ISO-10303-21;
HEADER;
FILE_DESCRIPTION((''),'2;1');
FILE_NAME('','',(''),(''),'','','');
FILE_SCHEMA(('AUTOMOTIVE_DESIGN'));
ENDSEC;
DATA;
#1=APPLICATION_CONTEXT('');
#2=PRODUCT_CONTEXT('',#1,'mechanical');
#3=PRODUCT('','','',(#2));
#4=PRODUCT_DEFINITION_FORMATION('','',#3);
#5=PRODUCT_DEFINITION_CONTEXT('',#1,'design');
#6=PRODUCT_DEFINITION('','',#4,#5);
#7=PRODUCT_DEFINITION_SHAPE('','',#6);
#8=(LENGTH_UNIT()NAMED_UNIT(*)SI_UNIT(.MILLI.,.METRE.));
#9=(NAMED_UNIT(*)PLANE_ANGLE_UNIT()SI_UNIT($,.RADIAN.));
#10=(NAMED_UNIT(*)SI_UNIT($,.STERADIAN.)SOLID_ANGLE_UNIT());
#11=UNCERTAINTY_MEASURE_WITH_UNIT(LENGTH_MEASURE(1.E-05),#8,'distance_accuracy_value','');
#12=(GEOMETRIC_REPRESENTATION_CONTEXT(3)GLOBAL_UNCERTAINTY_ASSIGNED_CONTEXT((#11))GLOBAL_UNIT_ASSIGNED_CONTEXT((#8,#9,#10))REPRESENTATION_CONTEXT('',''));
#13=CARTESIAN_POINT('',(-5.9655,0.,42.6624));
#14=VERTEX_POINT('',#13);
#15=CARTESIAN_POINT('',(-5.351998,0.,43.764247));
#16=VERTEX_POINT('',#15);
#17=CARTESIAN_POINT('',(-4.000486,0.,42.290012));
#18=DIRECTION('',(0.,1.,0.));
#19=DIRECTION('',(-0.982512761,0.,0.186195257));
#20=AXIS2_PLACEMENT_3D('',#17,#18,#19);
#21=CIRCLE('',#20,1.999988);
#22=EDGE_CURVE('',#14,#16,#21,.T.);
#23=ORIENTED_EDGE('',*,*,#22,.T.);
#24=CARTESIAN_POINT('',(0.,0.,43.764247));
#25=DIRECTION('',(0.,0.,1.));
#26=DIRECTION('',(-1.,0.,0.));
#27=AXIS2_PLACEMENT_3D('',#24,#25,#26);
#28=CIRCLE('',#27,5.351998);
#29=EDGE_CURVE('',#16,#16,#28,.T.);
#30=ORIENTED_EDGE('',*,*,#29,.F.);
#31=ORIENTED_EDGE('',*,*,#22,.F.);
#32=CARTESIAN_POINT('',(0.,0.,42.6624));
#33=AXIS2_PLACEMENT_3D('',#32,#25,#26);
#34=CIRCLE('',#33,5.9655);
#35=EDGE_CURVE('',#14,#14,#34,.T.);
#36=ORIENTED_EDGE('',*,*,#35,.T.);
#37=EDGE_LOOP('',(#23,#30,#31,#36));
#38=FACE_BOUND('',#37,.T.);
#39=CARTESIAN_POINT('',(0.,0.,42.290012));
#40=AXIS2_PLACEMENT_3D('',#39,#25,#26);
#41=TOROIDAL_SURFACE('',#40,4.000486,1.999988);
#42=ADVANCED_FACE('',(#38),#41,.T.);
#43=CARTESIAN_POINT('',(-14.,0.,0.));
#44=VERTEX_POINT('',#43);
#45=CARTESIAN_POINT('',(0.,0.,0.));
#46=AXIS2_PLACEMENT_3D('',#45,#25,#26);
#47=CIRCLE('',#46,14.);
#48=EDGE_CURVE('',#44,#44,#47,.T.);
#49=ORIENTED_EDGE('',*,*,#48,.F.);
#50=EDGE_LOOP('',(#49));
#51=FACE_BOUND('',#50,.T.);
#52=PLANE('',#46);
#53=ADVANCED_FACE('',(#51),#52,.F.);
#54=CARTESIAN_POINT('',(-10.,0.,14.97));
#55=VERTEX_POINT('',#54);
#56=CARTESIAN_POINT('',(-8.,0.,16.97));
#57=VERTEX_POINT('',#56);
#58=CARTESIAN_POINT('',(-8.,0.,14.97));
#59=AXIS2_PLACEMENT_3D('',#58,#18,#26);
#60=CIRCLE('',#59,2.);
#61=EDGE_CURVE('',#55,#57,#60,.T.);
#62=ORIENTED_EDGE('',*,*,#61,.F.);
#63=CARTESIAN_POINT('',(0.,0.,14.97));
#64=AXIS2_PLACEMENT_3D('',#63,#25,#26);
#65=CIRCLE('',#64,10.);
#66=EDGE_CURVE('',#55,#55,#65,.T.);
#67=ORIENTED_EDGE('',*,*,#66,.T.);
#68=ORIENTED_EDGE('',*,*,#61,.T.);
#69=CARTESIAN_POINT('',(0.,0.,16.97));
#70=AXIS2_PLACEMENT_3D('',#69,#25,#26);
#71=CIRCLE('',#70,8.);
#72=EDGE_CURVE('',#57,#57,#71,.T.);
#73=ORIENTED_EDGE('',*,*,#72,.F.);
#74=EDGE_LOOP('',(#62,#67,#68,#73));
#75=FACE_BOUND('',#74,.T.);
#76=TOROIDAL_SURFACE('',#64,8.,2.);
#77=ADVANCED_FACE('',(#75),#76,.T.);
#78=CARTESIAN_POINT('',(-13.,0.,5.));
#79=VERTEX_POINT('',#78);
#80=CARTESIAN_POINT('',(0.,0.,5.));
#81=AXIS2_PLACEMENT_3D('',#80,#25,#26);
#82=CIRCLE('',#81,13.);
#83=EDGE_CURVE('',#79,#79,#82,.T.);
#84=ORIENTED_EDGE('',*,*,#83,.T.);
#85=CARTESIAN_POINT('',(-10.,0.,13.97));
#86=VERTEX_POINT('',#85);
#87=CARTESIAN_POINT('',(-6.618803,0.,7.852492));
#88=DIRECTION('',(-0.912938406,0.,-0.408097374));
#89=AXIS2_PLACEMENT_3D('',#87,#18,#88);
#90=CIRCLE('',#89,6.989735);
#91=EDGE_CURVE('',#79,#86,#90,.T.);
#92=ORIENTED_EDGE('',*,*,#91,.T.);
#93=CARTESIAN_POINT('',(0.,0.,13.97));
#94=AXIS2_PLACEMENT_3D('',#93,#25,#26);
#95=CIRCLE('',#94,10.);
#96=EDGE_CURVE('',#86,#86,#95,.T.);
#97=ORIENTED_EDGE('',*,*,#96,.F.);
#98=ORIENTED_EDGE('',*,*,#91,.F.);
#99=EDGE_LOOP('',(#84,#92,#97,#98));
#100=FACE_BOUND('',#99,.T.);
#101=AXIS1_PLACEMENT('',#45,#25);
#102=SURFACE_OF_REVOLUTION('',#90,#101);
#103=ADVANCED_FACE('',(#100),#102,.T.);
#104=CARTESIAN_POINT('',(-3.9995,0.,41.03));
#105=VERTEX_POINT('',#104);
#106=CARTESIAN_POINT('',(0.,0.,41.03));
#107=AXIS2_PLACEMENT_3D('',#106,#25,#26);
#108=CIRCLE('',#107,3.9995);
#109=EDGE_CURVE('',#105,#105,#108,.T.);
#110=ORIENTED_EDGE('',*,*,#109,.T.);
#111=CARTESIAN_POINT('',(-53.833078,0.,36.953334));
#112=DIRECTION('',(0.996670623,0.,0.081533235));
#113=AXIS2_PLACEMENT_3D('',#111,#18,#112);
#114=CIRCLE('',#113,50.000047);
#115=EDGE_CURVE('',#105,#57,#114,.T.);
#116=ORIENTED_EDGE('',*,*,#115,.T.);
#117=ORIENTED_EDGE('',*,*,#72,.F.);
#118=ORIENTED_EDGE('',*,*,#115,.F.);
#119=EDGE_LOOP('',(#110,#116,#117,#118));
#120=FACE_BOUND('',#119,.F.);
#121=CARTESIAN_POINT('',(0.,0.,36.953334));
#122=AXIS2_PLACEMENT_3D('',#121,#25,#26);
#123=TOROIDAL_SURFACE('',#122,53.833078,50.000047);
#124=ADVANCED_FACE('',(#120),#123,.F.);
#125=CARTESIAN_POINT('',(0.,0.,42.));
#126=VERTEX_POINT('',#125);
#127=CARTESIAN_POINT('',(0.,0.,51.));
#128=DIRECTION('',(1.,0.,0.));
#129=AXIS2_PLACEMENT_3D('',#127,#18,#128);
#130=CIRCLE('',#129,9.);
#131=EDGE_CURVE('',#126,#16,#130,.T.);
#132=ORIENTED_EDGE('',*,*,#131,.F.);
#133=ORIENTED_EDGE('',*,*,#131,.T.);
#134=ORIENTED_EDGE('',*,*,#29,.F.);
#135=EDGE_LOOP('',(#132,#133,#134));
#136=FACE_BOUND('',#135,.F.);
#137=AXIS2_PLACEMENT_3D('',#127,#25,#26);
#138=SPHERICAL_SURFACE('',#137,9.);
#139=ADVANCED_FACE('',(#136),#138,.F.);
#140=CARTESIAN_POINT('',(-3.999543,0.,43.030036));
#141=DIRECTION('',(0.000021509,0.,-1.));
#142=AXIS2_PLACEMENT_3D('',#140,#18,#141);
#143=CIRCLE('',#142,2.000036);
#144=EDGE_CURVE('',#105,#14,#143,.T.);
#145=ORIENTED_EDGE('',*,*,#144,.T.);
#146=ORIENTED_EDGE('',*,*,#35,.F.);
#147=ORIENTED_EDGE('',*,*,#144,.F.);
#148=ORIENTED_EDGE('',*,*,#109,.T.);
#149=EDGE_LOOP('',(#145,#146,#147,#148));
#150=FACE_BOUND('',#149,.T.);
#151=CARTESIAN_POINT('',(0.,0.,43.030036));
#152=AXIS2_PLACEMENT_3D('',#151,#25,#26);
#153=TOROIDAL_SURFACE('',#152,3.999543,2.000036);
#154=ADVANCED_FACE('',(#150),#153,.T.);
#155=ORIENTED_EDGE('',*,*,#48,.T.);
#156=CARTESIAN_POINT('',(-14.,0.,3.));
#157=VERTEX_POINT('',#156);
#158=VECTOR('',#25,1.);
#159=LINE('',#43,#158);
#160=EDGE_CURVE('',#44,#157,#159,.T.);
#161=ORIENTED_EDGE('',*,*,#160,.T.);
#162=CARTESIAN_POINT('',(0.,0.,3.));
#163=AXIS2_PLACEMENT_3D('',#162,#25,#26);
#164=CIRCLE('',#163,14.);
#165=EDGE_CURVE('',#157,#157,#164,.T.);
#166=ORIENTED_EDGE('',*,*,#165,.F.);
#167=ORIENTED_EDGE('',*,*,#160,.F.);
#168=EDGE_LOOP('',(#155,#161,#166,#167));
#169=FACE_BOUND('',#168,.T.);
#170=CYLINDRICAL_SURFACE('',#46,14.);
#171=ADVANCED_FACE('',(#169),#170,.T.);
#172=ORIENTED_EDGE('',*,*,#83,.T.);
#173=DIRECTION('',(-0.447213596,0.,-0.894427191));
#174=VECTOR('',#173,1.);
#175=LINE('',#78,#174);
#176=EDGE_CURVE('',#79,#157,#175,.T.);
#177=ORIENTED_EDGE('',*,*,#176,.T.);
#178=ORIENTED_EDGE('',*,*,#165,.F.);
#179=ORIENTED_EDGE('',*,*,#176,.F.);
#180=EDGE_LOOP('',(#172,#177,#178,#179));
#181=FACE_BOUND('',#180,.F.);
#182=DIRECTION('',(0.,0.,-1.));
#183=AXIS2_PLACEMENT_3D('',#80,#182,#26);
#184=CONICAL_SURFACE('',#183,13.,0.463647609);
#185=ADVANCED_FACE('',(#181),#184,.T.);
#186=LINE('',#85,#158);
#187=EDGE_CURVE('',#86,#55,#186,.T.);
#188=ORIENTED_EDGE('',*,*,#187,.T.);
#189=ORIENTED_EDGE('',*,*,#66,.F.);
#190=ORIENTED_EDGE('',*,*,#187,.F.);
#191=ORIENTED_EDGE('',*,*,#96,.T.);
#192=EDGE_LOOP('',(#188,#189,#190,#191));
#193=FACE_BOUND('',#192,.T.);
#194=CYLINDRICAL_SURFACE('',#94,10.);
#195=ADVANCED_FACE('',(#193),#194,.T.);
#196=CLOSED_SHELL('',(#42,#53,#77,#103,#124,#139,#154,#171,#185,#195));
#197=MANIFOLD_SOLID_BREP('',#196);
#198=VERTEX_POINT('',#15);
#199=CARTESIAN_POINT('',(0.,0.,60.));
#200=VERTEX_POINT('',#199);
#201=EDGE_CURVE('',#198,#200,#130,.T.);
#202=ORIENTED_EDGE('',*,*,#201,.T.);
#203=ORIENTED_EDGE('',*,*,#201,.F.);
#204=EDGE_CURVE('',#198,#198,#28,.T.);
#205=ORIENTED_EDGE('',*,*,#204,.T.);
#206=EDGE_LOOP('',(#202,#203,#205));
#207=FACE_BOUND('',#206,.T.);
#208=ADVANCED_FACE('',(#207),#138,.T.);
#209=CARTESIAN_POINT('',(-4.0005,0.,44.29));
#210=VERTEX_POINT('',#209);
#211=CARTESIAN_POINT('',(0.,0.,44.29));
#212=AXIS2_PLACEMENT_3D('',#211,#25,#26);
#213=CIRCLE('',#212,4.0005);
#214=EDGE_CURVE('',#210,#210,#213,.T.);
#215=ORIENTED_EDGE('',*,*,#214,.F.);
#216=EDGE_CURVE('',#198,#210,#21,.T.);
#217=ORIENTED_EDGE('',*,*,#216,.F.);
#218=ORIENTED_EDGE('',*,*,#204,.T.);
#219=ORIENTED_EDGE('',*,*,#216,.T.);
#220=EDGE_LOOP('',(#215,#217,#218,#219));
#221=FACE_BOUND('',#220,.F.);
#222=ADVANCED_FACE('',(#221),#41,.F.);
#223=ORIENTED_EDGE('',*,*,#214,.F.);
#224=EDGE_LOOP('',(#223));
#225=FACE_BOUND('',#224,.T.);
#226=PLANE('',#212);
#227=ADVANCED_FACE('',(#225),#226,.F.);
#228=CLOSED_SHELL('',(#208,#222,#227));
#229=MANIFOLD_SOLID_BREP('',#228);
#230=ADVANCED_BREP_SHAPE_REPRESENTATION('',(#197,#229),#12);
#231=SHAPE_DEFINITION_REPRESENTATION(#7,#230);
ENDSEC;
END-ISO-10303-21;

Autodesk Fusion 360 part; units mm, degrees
sketch "Sketch1" plane through (0, 0, 0) normal (0, 1, 0) x (1, 0, 0)
  line L0 (0, 0) -> (0, -60)
  line L1 (0, -60) -> (0, -51)
  circle A0 centre (0, -51) radius 9
  line L2 (50, -60) -> (50, 0)
  line L3 (25, -60) -> (25, -44.29)
  line L4 (5.998, -44.29) -> (-4.0005, -44.29)
  line L5 (5.998, -44.29) -> (5.998, -41.03)
  line L6 (5.998, -41.03) -> (-3.9995, -41.03)
  arc A1 (-3.9995, -41.03) -> (-5.9655, -42.6624) centre (-3.9995, -43.03) ccw
  arc A2 (-5.9655, -42.6624) -> (-4.0005, -44.29) centre (-4.0005, -42.29) ccw
  line L7 (0, -41.03) -> (0, -16.97)
  line L8 (0, 0) -> (14, 0)
  line L9 (14, 0) -> (-14, 0)
  line L10 (-14, 0) -> (-14, -3)
  line L11 (-14, -3) -> (14, -3)
  line L12 (14, -3) -> (14, 0)
  line L13 (0, -3) -> (0, -5)
  line L14 (0, -5) -> (13, -5)
  line L15 (13, -5) -> (-13, -5)
  line L16 (13, -5) -> (14, -3)
  line L17 (-13, -5) -> (-14, -3)
  line L18 (0, -5) -> (0, -13.97)
  line L19 (0, -13.97) -> (10, -13.97)
  line L20 (10, -13.97) -> (-10, -13.97)
  line L21 (-10, -13.97) -> (-10, -14.97)
  line L22 (-10, -14.97) -> (10, -14.97)
  line L23 (10, -14.97) -> (10, -13.97)
  arc A3 (-13, -5) -> (-10, -13.97) centre (-6.6188, -7.8525) ccw
  line L24 (8, -16.97) -> (-8, -16.97)
  arc A4 (-10, -14.97) -> (-8, -16.97) centre (-8, -14.97) ccw
  arc A5 (-3.9995, -41.03) -> (-8, -16.97) centre (-53.8331, -36.9532) ccw
  line L25 (0, 0) -> (0, -65)
  point P0 (-6.002, -41.03)
  dimension "d1" = 60
  dimension "d3" = 9
  dimension "d4" = 18
  dimension "d5" = 15.71
  dimension "d6" = 3.26
  dimension "d7" = 12
  dimension "d8" = 2
  dimension "d9" = 2
  dimension "d10" = 24.06
  dimension "d12" = 14
  dimension "d14" = 3
  dimension "d15" = 28
  dimension "d16" = 2
  dimension "d17" = 13
  dimension "d18" = 26
  dimension "d19" = 8.97
  dimension "d20" = 10
  dimension "d21" = 20
  dimension "d22" = 1
  dimension "d23" = 8
  dimension "d24" = 16
  dimension "d25" = 2
  dimension "d26" = 50
revolve "Revolve1" add sketch "Sketch1" angle 360 about axis through (0, 0, 0) along (0, 0, 1) second angle 360 contours L0 L9 L10 L11 L25 | L0 L11 L13 L15 L17 L25 | L0 L15 L18 L20 A3 L25 | L0 L20 L21 L22 L25 | L0 L22 L24 A4 L25 | L0 L6 L7 L24 A5 L25 | L0 A0 L6 A1 A2 L25 | L0 L1 A0 L4 A2 L25
